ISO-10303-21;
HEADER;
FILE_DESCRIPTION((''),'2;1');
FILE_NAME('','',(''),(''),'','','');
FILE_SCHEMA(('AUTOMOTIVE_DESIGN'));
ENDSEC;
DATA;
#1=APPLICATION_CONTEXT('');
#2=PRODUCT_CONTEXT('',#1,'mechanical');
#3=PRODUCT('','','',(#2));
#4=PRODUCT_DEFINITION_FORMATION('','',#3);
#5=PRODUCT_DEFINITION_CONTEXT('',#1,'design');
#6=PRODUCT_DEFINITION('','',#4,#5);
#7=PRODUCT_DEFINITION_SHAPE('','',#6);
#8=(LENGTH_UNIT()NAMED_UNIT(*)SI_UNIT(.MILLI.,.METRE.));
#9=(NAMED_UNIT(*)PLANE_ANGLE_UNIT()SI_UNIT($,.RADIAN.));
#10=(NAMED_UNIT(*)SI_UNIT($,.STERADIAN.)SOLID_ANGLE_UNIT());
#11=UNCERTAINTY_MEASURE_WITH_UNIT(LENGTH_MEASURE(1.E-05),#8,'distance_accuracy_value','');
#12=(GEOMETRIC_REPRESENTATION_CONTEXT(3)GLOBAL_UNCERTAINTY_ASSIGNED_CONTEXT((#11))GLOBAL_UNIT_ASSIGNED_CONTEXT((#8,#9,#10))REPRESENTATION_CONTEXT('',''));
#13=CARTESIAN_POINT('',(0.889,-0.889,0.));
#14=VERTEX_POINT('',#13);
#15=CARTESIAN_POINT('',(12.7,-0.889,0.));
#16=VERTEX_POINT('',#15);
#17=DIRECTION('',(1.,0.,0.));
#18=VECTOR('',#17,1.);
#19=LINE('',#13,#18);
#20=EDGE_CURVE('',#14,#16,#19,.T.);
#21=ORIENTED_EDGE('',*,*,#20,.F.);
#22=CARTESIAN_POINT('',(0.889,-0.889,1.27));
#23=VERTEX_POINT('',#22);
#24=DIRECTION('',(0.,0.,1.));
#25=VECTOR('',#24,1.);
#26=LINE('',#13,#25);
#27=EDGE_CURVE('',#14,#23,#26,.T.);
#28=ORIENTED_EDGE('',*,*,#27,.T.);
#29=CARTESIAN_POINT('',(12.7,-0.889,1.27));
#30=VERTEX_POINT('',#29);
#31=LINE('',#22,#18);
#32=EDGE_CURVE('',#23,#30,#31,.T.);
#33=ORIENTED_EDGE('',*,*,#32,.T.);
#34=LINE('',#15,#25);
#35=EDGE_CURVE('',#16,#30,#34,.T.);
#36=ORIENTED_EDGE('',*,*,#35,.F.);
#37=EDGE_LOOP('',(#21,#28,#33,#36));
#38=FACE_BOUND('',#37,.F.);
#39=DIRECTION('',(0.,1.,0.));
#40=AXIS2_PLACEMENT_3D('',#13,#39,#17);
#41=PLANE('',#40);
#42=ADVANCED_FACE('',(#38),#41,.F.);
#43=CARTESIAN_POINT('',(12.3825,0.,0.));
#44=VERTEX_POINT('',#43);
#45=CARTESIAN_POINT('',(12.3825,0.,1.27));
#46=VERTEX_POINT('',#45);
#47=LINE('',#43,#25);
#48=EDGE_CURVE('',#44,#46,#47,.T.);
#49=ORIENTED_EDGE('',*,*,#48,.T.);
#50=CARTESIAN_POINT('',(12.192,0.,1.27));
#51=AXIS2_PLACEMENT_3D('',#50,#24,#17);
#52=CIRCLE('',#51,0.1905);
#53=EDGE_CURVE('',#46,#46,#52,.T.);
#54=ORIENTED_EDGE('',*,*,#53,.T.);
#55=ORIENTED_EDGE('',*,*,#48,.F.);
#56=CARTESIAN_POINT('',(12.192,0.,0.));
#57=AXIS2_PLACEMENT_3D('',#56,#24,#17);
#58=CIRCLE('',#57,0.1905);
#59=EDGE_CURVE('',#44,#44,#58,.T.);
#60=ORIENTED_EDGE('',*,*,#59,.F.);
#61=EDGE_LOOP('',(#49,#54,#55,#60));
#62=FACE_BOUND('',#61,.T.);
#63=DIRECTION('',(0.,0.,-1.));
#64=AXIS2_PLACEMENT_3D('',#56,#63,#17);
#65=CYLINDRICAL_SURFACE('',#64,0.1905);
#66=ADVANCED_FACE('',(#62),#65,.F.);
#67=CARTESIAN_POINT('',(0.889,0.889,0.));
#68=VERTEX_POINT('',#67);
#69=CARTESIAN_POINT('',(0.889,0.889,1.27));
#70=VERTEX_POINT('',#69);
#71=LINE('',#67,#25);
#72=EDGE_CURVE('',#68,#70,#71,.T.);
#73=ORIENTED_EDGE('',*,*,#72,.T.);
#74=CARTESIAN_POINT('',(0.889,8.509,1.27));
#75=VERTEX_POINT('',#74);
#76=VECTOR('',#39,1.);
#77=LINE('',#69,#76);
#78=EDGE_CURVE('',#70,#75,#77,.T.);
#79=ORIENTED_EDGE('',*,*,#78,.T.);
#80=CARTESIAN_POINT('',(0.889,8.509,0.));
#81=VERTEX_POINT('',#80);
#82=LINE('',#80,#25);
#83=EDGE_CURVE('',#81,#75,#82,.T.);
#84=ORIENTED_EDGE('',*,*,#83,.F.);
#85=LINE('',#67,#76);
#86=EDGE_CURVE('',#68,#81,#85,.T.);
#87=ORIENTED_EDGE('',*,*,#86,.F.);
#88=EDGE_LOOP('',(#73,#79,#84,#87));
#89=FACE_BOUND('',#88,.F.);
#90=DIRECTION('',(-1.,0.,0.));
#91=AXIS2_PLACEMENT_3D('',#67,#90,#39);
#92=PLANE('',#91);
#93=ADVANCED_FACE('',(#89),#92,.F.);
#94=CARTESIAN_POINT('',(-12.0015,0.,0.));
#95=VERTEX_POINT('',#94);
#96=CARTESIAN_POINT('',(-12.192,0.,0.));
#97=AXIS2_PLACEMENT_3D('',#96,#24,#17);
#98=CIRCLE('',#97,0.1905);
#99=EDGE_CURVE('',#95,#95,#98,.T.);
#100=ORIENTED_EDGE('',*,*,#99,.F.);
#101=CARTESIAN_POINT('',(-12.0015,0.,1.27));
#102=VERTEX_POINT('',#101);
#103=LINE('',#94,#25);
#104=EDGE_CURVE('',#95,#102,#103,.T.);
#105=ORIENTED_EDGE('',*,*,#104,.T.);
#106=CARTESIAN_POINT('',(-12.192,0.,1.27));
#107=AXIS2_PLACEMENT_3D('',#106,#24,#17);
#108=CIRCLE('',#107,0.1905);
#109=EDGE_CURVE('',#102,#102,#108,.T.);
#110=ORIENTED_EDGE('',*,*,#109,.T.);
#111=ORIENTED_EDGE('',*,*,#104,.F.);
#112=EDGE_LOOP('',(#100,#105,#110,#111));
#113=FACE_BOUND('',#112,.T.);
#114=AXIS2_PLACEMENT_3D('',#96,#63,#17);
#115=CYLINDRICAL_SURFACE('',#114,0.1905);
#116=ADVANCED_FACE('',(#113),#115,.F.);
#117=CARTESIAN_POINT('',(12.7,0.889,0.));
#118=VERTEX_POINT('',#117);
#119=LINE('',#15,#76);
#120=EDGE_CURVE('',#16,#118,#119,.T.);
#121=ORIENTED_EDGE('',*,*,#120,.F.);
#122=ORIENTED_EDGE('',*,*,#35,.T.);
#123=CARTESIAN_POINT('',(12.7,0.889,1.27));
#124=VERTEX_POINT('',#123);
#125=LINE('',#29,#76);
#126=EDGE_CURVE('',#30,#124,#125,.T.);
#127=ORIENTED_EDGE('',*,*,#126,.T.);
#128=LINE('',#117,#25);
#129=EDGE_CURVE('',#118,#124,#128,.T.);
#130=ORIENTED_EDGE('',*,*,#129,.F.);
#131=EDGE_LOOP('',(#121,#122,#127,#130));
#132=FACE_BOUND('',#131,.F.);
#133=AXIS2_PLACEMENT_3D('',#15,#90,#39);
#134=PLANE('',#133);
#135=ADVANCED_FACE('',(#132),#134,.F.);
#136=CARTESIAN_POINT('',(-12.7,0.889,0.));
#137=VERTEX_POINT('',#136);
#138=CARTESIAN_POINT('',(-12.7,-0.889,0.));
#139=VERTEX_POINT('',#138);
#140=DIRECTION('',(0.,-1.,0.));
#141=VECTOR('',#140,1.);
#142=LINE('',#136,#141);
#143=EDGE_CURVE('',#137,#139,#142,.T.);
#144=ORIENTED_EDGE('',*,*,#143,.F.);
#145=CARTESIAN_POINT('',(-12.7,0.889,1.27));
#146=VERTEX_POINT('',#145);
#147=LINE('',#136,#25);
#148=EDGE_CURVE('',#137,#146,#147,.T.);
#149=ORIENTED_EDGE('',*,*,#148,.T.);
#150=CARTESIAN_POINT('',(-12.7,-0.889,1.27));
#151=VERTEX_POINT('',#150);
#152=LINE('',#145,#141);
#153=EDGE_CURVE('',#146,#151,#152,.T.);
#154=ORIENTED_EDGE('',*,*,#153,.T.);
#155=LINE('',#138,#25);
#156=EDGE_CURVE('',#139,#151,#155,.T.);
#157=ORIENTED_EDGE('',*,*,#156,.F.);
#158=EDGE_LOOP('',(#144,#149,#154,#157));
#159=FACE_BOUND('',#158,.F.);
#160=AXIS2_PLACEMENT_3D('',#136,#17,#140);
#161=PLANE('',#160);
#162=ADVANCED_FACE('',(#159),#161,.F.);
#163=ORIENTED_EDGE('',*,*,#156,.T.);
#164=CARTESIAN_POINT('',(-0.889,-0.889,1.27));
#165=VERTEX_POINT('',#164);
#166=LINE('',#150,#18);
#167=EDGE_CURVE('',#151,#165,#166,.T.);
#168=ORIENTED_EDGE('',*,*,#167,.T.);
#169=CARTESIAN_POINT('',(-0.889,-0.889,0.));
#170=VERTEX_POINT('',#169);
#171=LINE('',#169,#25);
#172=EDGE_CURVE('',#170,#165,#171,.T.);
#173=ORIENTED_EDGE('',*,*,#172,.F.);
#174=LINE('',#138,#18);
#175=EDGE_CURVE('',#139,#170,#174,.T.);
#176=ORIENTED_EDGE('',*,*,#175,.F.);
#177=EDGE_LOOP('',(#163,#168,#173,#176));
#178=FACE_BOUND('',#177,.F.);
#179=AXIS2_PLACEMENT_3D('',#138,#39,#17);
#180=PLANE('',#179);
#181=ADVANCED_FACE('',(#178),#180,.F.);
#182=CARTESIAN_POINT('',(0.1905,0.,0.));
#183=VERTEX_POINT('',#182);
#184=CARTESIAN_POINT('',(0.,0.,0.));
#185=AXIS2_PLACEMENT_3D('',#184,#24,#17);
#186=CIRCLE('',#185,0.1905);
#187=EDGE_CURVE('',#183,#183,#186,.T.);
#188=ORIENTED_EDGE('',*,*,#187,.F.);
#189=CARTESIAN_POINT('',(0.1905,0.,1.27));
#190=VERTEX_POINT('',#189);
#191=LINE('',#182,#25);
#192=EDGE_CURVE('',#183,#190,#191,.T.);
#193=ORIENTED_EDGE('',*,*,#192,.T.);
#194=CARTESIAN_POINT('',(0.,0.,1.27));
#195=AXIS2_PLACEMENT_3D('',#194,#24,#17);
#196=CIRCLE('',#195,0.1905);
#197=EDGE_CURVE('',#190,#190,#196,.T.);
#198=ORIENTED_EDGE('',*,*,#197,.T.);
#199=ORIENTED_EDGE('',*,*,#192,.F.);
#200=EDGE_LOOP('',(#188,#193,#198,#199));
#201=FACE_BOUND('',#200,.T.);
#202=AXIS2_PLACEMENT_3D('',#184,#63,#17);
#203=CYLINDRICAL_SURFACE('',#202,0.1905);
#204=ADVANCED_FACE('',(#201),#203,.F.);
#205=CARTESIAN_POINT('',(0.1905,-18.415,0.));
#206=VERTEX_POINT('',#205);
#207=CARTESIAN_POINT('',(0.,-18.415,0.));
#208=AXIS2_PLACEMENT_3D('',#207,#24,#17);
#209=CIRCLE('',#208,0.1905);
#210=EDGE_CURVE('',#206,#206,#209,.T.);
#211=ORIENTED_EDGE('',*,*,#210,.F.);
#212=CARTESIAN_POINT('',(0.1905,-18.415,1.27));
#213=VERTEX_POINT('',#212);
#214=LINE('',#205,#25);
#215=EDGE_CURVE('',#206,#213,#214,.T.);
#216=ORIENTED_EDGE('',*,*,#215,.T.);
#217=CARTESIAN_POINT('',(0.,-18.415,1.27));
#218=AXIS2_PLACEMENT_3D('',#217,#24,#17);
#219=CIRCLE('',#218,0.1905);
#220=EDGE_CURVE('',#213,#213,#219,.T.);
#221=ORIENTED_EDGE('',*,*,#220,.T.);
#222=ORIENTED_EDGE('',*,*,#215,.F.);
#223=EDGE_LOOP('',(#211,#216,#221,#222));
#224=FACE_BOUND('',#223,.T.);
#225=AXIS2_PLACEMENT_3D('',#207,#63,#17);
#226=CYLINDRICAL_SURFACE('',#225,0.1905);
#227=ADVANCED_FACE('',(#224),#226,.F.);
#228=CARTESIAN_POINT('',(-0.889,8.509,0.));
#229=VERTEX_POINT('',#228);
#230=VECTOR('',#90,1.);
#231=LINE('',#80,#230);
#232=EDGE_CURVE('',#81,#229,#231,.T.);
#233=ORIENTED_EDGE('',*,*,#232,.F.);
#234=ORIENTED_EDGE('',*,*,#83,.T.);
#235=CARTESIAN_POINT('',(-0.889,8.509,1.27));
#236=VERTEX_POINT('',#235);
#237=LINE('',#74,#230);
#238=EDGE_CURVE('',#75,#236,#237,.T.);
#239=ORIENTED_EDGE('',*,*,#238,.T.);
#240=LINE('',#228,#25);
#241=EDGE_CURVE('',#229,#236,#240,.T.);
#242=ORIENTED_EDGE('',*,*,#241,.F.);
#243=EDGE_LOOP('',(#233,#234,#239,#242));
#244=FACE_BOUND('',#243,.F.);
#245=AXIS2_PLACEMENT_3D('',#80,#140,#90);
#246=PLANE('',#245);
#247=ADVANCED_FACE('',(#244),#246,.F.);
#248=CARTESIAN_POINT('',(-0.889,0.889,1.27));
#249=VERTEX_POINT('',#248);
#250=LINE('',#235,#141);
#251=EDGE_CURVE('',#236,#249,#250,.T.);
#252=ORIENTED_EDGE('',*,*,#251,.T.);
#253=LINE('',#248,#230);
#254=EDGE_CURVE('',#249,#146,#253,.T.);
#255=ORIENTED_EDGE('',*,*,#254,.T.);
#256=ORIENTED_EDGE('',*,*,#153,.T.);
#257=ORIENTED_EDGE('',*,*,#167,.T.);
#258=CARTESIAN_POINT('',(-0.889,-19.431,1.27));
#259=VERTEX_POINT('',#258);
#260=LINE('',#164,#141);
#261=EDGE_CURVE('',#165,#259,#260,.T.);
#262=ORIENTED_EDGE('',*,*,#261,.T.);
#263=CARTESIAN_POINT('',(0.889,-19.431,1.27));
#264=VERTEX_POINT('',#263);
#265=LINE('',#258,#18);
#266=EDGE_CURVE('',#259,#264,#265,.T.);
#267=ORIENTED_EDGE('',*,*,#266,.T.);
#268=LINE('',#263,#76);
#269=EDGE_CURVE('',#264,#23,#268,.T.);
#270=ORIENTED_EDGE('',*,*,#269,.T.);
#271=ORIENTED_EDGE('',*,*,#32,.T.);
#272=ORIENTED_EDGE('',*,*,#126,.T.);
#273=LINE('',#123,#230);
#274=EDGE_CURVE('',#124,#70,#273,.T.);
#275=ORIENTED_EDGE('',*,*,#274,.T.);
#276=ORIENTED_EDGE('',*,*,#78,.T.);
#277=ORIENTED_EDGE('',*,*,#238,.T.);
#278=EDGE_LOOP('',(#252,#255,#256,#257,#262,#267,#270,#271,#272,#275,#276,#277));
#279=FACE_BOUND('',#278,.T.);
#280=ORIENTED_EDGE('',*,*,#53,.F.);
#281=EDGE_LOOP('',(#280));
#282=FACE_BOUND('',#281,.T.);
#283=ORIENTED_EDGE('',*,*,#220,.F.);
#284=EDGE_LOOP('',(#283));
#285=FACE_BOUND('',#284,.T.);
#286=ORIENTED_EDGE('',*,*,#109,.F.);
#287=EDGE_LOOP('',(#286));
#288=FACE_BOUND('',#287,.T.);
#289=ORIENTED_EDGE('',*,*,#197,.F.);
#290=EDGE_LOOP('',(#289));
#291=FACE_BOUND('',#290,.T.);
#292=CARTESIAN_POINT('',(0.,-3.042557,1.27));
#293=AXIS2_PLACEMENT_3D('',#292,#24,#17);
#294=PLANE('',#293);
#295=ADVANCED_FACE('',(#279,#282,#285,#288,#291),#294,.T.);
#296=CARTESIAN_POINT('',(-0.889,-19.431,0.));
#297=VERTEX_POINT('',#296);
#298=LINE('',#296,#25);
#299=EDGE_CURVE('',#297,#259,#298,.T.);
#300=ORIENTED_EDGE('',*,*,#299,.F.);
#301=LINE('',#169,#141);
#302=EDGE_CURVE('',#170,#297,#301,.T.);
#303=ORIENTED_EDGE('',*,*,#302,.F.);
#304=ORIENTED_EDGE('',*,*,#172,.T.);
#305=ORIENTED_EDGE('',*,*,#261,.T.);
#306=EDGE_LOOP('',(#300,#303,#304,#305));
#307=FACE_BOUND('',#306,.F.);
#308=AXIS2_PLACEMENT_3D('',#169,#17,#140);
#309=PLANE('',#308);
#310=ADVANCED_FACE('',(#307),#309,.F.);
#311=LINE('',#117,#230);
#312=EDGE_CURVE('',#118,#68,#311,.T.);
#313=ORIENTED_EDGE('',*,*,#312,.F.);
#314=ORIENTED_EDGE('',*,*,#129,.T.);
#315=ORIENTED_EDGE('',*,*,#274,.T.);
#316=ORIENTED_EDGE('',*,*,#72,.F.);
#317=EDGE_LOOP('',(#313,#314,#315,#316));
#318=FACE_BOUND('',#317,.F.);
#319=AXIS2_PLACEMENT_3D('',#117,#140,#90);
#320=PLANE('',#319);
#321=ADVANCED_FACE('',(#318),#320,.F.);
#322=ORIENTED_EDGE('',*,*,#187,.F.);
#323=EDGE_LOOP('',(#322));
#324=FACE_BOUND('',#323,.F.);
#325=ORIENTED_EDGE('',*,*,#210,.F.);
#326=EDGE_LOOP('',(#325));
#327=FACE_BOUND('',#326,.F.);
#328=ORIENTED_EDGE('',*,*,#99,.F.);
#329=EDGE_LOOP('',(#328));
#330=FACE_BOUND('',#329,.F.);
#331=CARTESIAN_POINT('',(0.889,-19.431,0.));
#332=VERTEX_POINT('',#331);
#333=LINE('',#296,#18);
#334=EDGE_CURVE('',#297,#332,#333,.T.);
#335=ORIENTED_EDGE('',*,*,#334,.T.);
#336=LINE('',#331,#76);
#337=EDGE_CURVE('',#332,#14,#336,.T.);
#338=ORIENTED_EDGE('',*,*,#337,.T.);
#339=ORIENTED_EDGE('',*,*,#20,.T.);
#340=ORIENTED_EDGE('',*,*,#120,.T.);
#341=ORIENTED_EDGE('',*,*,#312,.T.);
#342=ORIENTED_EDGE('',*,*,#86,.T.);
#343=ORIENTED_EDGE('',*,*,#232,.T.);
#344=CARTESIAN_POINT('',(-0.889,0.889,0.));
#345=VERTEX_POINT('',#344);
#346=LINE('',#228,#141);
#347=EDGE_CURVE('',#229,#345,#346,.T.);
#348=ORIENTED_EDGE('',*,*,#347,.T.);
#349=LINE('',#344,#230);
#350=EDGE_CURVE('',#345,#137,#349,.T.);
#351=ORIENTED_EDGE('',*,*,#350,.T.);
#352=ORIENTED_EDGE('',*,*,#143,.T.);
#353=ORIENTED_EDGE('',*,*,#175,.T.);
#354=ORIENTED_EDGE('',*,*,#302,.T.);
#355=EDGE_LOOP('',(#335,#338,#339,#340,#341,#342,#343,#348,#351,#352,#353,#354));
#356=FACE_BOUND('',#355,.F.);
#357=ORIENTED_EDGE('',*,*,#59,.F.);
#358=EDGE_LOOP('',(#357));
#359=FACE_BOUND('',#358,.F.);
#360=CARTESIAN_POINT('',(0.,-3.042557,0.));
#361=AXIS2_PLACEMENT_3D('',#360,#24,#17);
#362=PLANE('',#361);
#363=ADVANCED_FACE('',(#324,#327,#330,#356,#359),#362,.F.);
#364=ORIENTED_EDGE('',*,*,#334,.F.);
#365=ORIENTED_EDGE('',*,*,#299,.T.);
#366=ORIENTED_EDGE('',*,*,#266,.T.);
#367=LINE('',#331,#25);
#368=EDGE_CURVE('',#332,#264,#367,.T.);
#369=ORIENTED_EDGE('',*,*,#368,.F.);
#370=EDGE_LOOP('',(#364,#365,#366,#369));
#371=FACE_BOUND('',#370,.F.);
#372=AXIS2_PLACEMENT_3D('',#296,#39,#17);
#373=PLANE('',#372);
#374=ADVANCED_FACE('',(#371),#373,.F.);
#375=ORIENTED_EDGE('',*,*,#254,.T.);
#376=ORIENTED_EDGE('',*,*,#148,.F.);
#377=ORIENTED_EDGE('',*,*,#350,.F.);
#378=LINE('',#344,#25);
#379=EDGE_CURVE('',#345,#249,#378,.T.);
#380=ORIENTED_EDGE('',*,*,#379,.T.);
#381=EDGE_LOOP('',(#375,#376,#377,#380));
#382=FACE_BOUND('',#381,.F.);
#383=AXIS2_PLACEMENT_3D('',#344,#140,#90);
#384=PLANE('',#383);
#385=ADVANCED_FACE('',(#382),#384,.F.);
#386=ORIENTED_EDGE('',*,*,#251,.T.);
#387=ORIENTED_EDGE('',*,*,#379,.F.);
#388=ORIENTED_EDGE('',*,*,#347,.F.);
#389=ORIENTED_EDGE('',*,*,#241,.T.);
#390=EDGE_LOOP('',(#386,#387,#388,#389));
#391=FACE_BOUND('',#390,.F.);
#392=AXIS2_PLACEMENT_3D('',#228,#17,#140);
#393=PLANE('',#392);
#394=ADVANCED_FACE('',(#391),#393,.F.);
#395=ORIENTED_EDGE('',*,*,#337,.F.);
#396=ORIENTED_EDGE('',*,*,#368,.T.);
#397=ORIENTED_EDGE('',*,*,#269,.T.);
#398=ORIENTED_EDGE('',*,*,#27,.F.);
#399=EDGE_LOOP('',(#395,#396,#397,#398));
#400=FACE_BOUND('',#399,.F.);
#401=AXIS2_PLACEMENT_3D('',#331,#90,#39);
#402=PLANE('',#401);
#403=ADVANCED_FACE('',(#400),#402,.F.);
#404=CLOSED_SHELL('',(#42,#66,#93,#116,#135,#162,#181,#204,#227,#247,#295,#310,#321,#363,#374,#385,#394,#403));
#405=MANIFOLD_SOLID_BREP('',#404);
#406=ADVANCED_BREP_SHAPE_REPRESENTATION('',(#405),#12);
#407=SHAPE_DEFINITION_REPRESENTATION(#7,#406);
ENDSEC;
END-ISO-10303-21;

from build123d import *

# Parameters (mm, degrees)
F0_R     = 0.1905
F1_DEPTH = 1.27


with BuildPart() as f1:
    # F0 (on Top) → F1 (new body)
    with BuildSketch(Plane.XY):
        Polygon((-0.889, 0.889), (-12.7, 0.889), (-12.7, -0.889), (-0.889, -0.889), (-0.889, -19.431), (0.889, -19.431), (0.889, -0.889), (12.7, -0.889), (12.7, 0.889), (0.889, 0.889), (0.889, 8.509), (-0.889, 8.509), align=None)
        with Locations((0, -18.415)):
            Circle(F0_R, mode=Mode.SUBTRACT)
        with Locations((-12.192, 0)):
            Circle(F0_R, mode=Mode.SUBTRACT)
        Circle(F0_R, mode=Mode.SUBTRACT)
        with Locations((12.192, 0)):
            Circle(F0_R, mode=Mode.SUBTRACT)
    extrude(amount=F1_DEPTH)


solid = f1.part
